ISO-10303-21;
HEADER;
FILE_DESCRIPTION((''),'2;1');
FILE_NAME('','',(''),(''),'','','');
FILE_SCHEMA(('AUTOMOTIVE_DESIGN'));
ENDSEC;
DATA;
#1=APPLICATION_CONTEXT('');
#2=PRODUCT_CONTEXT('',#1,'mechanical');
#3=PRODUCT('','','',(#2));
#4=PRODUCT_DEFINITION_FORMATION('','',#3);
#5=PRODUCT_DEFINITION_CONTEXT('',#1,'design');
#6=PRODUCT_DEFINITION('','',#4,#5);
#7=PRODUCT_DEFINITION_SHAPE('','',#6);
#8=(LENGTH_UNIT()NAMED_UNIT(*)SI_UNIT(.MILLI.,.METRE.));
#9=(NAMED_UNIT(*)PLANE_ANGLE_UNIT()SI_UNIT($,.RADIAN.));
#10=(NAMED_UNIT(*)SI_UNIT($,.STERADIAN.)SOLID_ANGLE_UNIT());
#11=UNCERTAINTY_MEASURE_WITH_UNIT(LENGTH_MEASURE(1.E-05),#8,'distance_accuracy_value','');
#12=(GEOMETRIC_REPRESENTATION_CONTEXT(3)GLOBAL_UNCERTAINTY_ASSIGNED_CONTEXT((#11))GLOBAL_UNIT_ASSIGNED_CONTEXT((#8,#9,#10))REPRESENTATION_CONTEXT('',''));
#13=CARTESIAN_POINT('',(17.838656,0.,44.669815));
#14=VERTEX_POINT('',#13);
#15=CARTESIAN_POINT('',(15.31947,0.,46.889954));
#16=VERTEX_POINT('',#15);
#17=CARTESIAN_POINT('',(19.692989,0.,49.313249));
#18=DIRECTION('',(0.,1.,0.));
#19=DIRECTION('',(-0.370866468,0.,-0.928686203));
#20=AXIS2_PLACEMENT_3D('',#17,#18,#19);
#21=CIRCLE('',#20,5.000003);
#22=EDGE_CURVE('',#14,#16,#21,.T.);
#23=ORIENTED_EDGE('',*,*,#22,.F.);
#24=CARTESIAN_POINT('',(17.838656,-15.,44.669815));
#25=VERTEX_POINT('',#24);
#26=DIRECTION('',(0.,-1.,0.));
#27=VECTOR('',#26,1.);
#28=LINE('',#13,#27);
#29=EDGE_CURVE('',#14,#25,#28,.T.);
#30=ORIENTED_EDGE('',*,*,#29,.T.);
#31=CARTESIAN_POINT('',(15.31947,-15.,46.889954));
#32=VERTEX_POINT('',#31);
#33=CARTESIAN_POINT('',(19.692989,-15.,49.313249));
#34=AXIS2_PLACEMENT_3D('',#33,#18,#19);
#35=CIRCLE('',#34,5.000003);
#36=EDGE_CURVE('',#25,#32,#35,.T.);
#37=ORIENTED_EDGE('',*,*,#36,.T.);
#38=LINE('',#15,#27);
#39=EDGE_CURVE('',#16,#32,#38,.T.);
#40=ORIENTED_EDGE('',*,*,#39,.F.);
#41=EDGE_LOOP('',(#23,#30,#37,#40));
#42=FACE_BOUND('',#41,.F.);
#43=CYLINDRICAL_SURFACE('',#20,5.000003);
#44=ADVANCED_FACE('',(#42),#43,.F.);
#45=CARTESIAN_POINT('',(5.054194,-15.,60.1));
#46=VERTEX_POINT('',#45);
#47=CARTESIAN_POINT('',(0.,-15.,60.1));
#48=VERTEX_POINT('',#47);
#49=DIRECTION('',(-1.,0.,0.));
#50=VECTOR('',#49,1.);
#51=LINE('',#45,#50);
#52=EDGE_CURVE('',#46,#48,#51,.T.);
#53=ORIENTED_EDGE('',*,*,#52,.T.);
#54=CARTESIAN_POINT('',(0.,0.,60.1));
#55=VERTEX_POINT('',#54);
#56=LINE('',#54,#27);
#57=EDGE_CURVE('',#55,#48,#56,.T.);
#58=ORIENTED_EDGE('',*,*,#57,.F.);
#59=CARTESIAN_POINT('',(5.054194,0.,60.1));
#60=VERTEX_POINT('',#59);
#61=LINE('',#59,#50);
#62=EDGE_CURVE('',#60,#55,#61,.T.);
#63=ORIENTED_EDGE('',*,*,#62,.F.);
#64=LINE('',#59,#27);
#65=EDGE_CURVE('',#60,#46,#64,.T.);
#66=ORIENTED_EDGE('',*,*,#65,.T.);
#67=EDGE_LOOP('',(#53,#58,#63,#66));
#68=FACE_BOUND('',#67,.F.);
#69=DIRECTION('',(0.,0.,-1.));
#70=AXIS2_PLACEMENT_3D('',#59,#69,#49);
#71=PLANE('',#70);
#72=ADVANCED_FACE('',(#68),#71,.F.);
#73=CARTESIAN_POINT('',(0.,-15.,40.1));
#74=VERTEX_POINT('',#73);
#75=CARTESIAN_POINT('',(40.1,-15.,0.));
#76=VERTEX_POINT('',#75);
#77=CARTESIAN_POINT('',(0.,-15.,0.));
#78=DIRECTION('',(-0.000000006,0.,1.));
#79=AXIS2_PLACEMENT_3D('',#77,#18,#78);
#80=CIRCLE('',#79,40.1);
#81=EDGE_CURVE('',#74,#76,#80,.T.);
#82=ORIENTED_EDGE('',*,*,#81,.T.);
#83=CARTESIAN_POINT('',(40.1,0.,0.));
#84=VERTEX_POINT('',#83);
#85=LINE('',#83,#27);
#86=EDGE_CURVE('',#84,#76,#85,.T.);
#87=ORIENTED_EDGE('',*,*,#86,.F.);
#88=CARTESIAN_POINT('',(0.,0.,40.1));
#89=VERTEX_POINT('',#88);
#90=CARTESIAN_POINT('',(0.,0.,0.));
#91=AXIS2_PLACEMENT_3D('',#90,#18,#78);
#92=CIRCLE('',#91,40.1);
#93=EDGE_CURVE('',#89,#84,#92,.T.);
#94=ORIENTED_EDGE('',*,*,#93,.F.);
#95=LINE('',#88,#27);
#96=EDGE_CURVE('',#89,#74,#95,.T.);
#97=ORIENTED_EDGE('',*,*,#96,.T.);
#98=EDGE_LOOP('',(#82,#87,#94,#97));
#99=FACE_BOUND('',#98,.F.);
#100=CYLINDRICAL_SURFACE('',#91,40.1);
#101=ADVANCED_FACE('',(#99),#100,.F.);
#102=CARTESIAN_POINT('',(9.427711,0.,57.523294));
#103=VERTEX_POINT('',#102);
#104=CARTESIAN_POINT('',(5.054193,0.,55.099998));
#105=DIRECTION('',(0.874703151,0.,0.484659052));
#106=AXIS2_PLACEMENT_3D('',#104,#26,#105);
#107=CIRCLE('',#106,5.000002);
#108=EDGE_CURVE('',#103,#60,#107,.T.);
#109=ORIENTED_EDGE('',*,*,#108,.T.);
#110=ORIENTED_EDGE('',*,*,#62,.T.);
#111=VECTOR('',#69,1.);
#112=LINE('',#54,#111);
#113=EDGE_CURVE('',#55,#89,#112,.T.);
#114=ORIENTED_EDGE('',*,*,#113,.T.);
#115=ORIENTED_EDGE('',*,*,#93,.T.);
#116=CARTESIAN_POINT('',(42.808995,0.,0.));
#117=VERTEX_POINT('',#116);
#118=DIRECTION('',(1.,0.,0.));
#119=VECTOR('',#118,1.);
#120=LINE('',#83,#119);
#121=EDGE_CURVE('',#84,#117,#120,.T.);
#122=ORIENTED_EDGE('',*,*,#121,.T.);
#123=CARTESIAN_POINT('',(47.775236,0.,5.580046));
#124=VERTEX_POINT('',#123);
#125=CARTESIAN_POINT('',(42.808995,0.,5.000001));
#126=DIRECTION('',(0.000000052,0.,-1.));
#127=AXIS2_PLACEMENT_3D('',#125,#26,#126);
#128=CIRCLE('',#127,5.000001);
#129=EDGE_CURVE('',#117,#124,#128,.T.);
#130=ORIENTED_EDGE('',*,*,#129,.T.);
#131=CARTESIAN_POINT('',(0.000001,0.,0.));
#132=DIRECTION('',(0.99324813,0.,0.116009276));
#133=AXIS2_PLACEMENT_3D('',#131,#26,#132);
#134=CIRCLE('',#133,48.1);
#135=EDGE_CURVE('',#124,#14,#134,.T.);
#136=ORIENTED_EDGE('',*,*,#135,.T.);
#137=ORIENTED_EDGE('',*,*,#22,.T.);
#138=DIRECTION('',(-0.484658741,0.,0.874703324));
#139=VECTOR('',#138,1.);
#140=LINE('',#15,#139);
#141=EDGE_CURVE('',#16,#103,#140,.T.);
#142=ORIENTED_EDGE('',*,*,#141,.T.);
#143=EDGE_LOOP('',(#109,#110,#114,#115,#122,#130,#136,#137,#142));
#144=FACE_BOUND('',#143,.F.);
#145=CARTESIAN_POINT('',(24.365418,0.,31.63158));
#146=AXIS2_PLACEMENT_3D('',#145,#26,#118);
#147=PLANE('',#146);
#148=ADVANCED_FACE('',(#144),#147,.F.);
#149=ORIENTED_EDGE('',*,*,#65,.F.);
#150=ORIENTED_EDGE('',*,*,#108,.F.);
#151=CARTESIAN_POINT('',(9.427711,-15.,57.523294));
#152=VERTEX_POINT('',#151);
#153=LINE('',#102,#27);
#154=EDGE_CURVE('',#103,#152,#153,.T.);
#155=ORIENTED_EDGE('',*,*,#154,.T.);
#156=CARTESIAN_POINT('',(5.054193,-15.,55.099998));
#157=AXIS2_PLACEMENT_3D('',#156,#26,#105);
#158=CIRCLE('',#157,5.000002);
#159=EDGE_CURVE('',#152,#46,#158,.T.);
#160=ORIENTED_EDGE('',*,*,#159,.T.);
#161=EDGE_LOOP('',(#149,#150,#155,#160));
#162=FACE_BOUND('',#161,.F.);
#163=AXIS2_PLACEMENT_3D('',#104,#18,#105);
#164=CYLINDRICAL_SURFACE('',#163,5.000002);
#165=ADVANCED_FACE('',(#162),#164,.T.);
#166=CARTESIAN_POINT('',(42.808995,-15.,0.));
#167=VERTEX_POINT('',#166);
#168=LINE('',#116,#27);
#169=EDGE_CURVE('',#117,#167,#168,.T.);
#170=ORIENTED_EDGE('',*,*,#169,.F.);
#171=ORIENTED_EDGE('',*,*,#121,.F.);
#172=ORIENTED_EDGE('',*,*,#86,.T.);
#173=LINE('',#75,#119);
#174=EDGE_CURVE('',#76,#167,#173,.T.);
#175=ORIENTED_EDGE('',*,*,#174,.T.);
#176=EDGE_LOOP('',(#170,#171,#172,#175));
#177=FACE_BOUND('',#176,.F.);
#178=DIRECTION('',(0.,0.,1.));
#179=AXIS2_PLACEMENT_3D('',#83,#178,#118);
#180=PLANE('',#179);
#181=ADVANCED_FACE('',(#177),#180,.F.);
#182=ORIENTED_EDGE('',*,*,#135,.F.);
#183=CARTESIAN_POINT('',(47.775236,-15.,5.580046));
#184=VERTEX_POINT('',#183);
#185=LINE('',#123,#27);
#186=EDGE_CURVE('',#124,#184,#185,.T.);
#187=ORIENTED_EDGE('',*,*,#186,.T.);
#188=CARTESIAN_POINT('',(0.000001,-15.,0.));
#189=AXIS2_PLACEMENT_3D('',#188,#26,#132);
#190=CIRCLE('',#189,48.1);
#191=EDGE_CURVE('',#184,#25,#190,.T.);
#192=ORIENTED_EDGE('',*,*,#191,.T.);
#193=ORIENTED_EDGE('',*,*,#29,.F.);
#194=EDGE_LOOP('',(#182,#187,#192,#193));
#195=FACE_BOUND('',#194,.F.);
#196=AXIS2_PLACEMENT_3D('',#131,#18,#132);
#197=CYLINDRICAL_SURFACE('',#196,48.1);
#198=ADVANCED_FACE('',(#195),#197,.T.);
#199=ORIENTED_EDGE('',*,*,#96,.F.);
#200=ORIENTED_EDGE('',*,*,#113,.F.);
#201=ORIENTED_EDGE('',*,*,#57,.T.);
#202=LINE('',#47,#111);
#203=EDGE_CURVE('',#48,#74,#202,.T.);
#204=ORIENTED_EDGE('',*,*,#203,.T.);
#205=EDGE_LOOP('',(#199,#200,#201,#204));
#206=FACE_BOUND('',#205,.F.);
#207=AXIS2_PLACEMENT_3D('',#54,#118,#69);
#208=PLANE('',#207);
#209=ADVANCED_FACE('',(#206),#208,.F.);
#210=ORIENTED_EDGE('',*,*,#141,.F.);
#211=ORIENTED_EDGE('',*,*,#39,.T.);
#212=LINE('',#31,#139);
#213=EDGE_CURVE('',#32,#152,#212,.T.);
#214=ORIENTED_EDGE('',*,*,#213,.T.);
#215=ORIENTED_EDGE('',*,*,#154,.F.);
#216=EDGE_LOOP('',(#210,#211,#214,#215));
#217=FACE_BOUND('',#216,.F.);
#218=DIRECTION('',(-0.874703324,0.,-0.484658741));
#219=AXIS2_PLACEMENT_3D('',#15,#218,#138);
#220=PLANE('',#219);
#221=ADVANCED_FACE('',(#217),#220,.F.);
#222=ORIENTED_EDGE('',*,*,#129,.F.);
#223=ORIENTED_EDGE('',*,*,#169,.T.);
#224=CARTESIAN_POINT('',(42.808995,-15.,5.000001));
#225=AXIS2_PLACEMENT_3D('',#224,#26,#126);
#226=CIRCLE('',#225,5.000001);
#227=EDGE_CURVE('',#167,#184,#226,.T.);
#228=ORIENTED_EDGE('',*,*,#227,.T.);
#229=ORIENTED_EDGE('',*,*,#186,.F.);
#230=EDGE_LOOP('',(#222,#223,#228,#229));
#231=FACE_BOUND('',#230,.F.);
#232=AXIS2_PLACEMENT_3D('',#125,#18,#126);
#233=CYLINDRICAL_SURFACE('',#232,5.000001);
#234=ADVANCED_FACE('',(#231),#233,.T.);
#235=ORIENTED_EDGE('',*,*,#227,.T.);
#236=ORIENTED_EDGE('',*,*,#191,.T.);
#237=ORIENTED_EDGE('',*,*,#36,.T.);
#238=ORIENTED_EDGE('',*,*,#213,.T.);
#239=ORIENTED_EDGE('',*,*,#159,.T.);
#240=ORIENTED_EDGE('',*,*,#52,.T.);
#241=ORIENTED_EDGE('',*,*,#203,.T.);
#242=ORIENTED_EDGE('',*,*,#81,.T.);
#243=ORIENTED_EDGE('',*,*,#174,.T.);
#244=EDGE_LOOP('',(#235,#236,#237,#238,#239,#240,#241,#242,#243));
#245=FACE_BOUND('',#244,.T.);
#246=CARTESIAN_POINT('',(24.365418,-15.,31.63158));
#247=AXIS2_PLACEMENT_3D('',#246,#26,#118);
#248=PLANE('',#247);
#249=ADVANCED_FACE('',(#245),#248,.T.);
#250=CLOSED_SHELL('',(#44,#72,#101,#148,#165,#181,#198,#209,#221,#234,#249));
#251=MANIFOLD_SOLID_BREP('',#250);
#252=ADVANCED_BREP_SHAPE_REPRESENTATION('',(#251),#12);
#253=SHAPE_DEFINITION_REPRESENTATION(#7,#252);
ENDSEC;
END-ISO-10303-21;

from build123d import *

# Parameters (mm, degrees)
F1_DEPTH = 15


with BuildPart() as f1:
    # F0 (on Front) → F1 (new body)
    with BuildSketch(Plane.XZ):
        with BuildLine():
            ThreePointArc((0, 40.1), (28.354982, 28.354982), (40.1, 0))
            Line((40.1, 0), (42.808995, 0))
            ThreePointArc((42.808995, 0), (46.54398, 1.675863), (47.775236, 5.580046))
            ThreePointArc((47.775236, 5.580046), (38.187671, 29.245715), (17.838656, 44.669815))
            ThreePointArc((17.838656, 44.669815), (16.387117, 45.562084), (15.31947, 46.889954))
            Line((15.31947, 46.889954), (9.427711, 57.523294))
            ThreePointArc((9.427711, 57.523294), (7.592257, 59.407927), (5.054194, 60.1))
            Line((5.054194, 60.1), (0, 60.1))
            Line((0, 60.1), (0, 40.1))
        make_face()
    extrude(amount=F1_DEPTH)


solid = f1.part
